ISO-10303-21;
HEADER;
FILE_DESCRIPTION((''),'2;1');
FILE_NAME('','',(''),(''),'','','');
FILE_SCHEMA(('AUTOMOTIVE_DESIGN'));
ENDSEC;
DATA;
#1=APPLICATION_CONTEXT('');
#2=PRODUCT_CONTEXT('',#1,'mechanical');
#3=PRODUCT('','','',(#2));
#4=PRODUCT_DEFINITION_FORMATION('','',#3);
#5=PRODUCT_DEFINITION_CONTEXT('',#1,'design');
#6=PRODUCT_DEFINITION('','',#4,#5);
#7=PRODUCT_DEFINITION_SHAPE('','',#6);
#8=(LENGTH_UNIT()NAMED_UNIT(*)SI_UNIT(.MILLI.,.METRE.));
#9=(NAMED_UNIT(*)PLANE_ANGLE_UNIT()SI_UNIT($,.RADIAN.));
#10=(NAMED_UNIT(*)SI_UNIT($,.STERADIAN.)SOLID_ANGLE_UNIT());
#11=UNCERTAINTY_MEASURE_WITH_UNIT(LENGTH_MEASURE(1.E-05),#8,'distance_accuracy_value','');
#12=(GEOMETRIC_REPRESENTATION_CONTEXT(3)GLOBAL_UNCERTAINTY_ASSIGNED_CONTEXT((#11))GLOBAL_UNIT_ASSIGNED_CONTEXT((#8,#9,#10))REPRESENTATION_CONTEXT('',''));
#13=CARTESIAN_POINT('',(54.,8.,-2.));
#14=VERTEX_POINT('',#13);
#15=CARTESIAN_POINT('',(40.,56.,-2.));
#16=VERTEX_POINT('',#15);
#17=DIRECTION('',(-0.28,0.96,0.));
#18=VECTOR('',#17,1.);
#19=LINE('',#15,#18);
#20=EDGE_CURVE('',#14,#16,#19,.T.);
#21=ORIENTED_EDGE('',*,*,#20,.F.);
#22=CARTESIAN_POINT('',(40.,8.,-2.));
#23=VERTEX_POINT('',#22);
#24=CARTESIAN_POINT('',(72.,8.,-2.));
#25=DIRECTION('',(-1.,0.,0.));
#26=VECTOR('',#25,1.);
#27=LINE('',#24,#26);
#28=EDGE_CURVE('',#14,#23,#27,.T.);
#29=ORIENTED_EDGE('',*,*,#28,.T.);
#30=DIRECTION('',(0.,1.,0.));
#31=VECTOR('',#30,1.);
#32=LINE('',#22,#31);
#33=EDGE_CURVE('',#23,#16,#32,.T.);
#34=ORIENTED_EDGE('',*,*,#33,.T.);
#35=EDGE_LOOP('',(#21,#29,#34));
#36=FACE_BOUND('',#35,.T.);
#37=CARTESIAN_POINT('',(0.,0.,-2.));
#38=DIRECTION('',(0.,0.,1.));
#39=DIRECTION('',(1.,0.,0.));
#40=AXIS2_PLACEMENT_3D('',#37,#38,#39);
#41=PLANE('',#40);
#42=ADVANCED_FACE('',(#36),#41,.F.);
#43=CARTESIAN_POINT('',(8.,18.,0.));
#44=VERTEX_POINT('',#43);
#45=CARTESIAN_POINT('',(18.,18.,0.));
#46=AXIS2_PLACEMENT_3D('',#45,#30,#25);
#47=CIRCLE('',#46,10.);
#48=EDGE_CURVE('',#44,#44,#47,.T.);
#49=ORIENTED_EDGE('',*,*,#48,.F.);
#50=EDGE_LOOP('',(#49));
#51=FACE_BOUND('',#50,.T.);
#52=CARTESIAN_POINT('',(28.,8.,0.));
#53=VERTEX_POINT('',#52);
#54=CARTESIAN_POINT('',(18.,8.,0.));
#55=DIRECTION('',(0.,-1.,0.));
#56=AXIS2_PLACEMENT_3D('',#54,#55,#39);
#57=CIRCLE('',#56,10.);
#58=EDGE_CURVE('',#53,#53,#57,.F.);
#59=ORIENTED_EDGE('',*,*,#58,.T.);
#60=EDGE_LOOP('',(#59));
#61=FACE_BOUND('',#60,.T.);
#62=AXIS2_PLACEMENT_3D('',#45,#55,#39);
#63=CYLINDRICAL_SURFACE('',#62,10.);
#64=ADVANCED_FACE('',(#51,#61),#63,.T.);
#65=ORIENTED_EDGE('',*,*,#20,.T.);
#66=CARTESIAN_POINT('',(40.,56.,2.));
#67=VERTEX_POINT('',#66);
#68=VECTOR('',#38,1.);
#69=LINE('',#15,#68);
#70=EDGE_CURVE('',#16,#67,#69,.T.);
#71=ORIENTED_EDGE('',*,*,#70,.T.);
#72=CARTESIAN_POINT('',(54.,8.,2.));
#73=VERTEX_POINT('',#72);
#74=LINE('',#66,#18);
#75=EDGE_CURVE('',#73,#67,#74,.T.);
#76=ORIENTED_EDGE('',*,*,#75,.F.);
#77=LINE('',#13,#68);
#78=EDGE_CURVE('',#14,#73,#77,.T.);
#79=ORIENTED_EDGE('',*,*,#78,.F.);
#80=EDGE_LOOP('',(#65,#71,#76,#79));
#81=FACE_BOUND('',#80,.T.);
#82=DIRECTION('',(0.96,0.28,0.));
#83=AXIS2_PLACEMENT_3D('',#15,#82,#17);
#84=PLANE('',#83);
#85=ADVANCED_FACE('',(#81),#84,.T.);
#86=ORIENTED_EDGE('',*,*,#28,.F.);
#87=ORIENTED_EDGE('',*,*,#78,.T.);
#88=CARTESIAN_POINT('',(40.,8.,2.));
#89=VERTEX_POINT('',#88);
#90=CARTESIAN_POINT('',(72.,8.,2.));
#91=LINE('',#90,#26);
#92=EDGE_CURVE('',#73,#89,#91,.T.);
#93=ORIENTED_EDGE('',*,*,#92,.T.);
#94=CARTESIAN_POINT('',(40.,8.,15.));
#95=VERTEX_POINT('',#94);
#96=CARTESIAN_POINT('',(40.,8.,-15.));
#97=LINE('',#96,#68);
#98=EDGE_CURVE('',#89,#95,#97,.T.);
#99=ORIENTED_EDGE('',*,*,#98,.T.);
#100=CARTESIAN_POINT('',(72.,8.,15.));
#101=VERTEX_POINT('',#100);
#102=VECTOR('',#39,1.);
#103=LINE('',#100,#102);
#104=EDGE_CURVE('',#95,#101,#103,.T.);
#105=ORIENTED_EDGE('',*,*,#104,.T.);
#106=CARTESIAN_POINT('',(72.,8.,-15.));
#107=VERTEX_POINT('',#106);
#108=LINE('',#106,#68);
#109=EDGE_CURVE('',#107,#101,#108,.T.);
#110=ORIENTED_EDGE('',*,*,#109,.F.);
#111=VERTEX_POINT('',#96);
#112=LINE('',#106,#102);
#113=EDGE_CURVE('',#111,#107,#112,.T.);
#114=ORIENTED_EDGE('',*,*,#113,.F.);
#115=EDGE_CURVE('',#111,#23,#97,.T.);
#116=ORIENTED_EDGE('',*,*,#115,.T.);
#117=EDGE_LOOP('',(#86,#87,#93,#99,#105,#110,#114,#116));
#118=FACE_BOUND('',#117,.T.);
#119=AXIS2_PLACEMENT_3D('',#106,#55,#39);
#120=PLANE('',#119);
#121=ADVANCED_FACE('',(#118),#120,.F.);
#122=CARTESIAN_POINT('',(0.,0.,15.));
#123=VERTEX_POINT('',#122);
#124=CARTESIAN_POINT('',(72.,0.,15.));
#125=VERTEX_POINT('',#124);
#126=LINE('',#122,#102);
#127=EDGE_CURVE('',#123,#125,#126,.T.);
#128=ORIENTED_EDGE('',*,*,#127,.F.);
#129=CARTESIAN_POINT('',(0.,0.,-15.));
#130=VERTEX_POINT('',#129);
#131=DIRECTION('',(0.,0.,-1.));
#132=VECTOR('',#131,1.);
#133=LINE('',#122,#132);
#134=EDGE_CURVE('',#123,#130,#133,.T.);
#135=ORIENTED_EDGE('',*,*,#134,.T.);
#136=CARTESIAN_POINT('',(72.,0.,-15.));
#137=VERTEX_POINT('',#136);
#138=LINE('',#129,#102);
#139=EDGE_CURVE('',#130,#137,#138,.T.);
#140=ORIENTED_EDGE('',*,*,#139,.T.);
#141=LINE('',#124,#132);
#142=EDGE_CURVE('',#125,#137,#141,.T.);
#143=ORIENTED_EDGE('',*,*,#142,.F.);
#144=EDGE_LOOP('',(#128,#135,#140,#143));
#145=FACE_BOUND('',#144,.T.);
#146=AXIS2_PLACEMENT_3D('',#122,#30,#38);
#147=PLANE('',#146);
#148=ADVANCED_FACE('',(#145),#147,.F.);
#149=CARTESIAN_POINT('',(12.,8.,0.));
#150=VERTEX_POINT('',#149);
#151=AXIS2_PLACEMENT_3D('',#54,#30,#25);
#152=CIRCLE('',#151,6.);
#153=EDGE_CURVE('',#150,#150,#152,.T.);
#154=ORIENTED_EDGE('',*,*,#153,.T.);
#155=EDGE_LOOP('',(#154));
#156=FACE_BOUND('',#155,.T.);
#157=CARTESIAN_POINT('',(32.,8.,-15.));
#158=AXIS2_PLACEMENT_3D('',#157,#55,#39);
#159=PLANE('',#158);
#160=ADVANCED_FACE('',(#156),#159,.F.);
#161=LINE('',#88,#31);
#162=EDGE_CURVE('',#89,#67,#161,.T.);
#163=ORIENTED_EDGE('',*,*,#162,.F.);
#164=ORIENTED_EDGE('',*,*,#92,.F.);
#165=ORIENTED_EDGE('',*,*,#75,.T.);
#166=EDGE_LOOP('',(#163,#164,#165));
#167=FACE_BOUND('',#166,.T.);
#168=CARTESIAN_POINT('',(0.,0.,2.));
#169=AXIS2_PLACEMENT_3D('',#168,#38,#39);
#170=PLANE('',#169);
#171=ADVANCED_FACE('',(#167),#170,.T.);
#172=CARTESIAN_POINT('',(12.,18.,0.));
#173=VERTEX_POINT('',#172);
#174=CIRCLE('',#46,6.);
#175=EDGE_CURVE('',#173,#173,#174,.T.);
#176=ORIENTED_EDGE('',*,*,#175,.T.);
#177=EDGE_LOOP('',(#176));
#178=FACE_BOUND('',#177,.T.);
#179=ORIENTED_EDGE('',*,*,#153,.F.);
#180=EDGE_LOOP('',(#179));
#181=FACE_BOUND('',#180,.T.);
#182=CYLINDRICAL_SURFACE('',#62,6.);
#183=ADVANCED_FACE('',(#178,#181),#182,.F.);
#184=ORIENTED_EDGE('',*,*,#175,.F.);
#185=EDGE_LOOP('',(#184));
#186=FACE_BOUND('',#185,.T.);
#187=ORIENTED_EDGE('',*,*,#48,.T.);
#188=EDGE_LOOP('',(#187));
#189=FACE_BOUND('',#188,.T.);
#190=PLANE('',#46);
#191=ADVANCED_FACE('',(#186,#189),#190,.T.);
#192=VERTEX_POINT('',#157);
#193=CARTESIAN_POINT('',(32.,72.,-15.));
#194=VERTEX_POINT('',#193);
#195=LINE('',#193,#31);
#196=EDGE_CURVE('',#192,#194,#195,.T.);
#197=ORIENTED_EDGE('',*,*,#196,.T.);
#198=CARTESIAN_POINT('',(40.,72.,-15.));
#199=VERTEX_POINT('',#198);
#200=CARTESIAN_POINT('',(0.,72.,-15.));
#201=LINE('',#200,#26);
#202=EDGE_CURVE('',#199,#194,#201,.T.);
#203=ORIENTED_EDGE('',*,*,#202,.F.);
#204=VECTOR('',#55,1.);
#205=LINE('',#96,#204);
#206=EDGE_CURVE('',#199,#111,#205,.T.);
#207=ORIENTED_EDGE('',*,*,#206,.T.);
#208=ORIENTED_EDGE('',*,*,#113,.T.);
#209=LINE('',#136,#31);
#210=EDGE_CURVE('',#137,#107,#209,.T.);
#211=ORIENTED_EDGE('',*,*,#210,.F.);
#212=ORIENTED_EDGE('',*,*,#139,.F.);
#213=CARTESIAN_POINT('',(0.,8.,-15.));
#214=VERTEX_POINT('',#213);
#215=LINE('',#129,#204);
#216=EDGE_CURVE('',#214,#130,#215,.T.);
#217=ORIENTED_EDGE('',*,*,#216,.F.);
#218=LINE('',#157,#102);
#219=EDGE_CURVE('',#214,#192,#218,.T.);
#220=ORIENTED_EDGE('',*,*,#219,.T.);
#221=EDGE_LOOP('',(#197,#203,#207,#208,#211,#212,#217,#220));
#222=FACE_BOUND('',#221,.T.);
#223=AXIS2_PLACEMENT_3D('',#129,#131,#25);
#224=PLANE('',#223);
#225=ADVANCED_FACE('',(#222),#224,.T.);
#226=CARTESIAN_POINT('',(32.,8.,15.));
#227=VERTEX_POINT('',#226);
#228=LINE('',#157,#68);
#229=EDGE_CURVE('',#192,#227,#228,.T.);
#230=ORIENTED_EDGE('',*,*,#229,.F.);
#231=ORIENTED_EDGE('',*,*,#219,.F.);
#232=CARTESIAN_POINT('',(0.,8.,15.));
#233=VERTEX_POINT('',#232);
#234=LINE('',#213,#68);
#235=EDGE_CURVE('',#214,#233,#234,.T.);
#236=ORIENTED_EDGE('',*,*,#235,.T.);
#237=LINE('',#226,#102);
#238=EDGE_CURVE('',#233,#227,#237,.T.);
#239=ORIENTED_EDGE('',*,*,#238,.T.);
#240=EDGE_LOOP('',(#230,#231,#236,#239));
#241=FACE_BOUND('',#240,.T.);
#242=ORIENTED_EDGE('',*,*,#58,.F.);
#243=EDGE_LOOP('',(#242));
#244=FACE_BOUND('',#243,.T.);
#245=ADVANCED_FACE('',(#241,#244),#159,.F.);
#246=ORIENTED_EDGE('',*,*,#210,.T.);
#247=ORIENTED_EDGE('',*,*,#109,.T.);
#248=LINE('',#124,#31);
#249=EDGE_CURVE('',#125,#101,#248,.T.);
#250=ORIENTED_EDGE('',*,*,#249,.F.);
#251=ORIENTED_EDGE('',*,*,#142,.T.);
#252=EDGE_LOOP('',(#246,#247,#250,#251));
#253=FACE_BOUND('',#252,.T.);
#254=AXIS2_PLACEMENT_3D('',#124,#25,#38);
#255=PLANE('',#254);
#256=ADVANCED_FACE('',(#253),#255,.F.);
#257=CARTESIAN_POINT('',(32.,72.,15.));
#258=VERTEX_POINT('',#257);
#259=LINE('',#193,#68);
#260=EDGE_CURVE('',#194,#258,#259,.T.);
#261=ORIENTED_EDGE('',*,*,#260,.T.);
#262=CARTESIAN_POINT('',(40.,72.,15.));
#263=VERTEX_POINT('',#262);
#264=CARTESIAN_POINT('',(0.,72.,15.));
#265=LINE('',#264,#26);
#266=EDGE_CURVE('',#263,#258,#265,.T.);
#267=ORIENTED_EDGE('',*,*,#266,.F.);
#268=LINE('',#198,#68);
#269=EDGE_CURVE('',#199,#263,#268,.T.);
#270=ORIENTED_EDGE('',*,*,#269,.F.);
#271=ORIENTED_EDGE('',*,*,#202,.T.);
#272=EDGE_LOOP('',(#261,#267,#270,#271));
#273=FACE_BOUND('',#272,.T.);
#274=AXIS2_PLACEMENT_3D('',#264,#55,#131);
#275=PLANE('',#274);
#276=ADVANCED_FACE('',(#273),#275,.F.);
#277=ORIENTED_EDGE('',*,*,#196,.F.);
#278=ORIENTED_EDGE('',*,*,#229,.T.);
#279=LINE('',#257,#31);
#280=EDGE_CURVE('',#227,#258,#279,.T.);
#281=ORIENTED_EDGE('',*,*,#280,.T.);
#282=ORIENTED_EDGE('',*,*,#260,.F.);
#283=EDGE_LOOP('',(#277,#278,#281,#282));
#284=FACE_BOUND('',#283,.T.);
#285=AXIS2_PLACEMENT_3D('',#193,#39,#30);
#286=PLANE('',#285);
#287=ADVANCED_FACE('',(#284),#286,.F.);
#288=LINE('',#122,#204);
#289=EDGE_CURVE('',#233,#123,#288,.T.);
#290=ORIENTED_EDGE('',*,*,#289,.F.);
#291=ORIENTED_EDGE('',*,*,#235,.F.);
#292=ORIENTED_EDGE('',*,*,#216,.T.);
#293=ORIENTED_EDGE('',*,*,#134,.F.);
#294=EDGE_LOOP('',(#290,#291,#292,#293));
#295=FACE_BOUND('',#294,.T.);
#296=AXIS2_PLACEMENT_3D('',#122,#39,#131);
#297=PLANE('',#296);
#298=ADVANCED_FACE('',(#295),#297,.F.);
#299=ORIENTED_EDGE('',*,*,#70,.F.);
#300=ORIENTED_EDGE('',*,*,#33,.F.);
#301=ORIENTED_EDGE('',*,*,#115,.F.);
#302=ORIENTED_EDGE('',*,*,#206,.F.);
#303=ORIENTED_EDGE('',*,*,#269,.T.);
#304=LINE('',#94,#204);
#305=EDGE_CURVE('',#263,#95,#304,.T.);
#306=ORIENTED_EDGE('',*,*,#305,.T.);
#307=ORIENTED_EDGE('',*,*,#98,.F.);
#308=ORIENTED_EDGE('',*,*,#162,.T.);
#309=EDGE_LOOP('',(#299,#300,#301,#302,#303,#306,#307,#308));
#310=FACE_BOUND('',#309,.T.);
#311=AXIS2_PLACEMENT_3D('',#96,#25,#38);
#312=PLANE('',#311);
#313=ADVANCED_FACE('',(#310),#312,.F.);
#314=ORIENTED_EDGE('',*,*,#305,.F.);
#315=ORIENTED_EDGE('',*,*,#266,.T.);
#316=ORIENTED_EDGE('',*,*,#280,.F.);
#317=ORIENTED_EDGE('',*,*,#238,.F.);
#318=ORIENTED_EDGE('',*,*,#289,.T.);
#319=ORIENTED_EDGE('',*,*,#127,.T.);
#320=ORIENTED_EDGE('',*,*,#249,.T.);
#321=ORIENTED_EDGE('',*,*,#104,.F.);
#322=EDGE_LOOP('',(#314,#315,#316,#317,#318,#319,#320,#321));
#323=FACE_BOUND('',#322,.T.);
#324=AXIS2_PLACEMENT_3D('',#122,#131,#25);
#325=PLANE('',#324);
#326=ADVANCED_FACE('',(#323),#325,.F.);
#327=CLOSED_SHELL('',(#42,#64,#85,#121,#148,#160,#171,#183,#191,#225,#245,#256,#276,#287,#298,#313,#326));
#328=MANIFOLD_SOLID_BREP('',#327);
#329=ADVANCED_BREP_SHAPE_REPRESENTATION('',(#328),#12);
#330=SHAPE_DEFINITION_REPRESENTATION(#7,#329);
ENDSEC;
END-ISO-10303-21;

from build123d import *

# Parameters (mm, degrees)
SKETCH1_W           = 72
SKETCH1_H           = 72
BOSS_EXTRUDE1_DEPTH = 15
SKETCH4_W           = 32
SKETCH4_H           = 64
CUT_EXTRUDE1_DEPTH  = 30
SKETCH8_R           = 10
SKETCH8_R_2         = 6
BOSS_EXTRUDE2_DEPTH = 10
BOSS_EXTRUDE3_DEPTH = 2


with BuildPart() as part:
    # Sketch1 → Boss-Extrude1 (new, symmetric)
    with BuildSketch(Plane.XY):
        with Locations((36, 36)):
            Rectangle(SKETCH1_W, SKETCH1_H)
    extrude(amount=BOSS_EXTRUDE1_DEPTH, both=True)

    # Sketch4 → Cut-Extrude1 (cut)
    with BuildSketch(Plane.XY.offset(15)):
        with Locations((56, 40)):
            Rectangle(SKETCH4_W, SKETCH4_H)
        with Locations((16, 40)):
            Rectangle(SKETCH4_W, SKETCH4_H)
    extrude(amount=-CUT_EXTRUDE1_DEPTH, mode=Mode.SUBTRACT)

    # Sketch8 → Boss-Extrude2 (add)
    with BuildSketch(Plane(origin=(0, 8, 0), x_dir=(1, 0, 0), z_dir=(0, 1, 0))):
        with Locations((18, 0)):
            Circle(SKETCH8_R)
        with Locations(Location((18, 0, 0), (0, 0, 180))):
            Circle(SKETCH8_R_2, mode=Mode.SUBTRACT)
    extrude(amount=BOSS_EXTRUDE2_DEPTH)

    # Sketch10 → Boss-Extrude3 (add, symmetric)
    with BuildSketch(Plane.XY):
        Polygon((40, 56), (54, 8), (72, 8), (72, 0), (0, 0), (0, 8), (32, 8), (32, 72), (40, 72), align=None)
    extrude(amount=BOSS_EXTRUDE3_DEPTH, both=True)


solid = part.part
